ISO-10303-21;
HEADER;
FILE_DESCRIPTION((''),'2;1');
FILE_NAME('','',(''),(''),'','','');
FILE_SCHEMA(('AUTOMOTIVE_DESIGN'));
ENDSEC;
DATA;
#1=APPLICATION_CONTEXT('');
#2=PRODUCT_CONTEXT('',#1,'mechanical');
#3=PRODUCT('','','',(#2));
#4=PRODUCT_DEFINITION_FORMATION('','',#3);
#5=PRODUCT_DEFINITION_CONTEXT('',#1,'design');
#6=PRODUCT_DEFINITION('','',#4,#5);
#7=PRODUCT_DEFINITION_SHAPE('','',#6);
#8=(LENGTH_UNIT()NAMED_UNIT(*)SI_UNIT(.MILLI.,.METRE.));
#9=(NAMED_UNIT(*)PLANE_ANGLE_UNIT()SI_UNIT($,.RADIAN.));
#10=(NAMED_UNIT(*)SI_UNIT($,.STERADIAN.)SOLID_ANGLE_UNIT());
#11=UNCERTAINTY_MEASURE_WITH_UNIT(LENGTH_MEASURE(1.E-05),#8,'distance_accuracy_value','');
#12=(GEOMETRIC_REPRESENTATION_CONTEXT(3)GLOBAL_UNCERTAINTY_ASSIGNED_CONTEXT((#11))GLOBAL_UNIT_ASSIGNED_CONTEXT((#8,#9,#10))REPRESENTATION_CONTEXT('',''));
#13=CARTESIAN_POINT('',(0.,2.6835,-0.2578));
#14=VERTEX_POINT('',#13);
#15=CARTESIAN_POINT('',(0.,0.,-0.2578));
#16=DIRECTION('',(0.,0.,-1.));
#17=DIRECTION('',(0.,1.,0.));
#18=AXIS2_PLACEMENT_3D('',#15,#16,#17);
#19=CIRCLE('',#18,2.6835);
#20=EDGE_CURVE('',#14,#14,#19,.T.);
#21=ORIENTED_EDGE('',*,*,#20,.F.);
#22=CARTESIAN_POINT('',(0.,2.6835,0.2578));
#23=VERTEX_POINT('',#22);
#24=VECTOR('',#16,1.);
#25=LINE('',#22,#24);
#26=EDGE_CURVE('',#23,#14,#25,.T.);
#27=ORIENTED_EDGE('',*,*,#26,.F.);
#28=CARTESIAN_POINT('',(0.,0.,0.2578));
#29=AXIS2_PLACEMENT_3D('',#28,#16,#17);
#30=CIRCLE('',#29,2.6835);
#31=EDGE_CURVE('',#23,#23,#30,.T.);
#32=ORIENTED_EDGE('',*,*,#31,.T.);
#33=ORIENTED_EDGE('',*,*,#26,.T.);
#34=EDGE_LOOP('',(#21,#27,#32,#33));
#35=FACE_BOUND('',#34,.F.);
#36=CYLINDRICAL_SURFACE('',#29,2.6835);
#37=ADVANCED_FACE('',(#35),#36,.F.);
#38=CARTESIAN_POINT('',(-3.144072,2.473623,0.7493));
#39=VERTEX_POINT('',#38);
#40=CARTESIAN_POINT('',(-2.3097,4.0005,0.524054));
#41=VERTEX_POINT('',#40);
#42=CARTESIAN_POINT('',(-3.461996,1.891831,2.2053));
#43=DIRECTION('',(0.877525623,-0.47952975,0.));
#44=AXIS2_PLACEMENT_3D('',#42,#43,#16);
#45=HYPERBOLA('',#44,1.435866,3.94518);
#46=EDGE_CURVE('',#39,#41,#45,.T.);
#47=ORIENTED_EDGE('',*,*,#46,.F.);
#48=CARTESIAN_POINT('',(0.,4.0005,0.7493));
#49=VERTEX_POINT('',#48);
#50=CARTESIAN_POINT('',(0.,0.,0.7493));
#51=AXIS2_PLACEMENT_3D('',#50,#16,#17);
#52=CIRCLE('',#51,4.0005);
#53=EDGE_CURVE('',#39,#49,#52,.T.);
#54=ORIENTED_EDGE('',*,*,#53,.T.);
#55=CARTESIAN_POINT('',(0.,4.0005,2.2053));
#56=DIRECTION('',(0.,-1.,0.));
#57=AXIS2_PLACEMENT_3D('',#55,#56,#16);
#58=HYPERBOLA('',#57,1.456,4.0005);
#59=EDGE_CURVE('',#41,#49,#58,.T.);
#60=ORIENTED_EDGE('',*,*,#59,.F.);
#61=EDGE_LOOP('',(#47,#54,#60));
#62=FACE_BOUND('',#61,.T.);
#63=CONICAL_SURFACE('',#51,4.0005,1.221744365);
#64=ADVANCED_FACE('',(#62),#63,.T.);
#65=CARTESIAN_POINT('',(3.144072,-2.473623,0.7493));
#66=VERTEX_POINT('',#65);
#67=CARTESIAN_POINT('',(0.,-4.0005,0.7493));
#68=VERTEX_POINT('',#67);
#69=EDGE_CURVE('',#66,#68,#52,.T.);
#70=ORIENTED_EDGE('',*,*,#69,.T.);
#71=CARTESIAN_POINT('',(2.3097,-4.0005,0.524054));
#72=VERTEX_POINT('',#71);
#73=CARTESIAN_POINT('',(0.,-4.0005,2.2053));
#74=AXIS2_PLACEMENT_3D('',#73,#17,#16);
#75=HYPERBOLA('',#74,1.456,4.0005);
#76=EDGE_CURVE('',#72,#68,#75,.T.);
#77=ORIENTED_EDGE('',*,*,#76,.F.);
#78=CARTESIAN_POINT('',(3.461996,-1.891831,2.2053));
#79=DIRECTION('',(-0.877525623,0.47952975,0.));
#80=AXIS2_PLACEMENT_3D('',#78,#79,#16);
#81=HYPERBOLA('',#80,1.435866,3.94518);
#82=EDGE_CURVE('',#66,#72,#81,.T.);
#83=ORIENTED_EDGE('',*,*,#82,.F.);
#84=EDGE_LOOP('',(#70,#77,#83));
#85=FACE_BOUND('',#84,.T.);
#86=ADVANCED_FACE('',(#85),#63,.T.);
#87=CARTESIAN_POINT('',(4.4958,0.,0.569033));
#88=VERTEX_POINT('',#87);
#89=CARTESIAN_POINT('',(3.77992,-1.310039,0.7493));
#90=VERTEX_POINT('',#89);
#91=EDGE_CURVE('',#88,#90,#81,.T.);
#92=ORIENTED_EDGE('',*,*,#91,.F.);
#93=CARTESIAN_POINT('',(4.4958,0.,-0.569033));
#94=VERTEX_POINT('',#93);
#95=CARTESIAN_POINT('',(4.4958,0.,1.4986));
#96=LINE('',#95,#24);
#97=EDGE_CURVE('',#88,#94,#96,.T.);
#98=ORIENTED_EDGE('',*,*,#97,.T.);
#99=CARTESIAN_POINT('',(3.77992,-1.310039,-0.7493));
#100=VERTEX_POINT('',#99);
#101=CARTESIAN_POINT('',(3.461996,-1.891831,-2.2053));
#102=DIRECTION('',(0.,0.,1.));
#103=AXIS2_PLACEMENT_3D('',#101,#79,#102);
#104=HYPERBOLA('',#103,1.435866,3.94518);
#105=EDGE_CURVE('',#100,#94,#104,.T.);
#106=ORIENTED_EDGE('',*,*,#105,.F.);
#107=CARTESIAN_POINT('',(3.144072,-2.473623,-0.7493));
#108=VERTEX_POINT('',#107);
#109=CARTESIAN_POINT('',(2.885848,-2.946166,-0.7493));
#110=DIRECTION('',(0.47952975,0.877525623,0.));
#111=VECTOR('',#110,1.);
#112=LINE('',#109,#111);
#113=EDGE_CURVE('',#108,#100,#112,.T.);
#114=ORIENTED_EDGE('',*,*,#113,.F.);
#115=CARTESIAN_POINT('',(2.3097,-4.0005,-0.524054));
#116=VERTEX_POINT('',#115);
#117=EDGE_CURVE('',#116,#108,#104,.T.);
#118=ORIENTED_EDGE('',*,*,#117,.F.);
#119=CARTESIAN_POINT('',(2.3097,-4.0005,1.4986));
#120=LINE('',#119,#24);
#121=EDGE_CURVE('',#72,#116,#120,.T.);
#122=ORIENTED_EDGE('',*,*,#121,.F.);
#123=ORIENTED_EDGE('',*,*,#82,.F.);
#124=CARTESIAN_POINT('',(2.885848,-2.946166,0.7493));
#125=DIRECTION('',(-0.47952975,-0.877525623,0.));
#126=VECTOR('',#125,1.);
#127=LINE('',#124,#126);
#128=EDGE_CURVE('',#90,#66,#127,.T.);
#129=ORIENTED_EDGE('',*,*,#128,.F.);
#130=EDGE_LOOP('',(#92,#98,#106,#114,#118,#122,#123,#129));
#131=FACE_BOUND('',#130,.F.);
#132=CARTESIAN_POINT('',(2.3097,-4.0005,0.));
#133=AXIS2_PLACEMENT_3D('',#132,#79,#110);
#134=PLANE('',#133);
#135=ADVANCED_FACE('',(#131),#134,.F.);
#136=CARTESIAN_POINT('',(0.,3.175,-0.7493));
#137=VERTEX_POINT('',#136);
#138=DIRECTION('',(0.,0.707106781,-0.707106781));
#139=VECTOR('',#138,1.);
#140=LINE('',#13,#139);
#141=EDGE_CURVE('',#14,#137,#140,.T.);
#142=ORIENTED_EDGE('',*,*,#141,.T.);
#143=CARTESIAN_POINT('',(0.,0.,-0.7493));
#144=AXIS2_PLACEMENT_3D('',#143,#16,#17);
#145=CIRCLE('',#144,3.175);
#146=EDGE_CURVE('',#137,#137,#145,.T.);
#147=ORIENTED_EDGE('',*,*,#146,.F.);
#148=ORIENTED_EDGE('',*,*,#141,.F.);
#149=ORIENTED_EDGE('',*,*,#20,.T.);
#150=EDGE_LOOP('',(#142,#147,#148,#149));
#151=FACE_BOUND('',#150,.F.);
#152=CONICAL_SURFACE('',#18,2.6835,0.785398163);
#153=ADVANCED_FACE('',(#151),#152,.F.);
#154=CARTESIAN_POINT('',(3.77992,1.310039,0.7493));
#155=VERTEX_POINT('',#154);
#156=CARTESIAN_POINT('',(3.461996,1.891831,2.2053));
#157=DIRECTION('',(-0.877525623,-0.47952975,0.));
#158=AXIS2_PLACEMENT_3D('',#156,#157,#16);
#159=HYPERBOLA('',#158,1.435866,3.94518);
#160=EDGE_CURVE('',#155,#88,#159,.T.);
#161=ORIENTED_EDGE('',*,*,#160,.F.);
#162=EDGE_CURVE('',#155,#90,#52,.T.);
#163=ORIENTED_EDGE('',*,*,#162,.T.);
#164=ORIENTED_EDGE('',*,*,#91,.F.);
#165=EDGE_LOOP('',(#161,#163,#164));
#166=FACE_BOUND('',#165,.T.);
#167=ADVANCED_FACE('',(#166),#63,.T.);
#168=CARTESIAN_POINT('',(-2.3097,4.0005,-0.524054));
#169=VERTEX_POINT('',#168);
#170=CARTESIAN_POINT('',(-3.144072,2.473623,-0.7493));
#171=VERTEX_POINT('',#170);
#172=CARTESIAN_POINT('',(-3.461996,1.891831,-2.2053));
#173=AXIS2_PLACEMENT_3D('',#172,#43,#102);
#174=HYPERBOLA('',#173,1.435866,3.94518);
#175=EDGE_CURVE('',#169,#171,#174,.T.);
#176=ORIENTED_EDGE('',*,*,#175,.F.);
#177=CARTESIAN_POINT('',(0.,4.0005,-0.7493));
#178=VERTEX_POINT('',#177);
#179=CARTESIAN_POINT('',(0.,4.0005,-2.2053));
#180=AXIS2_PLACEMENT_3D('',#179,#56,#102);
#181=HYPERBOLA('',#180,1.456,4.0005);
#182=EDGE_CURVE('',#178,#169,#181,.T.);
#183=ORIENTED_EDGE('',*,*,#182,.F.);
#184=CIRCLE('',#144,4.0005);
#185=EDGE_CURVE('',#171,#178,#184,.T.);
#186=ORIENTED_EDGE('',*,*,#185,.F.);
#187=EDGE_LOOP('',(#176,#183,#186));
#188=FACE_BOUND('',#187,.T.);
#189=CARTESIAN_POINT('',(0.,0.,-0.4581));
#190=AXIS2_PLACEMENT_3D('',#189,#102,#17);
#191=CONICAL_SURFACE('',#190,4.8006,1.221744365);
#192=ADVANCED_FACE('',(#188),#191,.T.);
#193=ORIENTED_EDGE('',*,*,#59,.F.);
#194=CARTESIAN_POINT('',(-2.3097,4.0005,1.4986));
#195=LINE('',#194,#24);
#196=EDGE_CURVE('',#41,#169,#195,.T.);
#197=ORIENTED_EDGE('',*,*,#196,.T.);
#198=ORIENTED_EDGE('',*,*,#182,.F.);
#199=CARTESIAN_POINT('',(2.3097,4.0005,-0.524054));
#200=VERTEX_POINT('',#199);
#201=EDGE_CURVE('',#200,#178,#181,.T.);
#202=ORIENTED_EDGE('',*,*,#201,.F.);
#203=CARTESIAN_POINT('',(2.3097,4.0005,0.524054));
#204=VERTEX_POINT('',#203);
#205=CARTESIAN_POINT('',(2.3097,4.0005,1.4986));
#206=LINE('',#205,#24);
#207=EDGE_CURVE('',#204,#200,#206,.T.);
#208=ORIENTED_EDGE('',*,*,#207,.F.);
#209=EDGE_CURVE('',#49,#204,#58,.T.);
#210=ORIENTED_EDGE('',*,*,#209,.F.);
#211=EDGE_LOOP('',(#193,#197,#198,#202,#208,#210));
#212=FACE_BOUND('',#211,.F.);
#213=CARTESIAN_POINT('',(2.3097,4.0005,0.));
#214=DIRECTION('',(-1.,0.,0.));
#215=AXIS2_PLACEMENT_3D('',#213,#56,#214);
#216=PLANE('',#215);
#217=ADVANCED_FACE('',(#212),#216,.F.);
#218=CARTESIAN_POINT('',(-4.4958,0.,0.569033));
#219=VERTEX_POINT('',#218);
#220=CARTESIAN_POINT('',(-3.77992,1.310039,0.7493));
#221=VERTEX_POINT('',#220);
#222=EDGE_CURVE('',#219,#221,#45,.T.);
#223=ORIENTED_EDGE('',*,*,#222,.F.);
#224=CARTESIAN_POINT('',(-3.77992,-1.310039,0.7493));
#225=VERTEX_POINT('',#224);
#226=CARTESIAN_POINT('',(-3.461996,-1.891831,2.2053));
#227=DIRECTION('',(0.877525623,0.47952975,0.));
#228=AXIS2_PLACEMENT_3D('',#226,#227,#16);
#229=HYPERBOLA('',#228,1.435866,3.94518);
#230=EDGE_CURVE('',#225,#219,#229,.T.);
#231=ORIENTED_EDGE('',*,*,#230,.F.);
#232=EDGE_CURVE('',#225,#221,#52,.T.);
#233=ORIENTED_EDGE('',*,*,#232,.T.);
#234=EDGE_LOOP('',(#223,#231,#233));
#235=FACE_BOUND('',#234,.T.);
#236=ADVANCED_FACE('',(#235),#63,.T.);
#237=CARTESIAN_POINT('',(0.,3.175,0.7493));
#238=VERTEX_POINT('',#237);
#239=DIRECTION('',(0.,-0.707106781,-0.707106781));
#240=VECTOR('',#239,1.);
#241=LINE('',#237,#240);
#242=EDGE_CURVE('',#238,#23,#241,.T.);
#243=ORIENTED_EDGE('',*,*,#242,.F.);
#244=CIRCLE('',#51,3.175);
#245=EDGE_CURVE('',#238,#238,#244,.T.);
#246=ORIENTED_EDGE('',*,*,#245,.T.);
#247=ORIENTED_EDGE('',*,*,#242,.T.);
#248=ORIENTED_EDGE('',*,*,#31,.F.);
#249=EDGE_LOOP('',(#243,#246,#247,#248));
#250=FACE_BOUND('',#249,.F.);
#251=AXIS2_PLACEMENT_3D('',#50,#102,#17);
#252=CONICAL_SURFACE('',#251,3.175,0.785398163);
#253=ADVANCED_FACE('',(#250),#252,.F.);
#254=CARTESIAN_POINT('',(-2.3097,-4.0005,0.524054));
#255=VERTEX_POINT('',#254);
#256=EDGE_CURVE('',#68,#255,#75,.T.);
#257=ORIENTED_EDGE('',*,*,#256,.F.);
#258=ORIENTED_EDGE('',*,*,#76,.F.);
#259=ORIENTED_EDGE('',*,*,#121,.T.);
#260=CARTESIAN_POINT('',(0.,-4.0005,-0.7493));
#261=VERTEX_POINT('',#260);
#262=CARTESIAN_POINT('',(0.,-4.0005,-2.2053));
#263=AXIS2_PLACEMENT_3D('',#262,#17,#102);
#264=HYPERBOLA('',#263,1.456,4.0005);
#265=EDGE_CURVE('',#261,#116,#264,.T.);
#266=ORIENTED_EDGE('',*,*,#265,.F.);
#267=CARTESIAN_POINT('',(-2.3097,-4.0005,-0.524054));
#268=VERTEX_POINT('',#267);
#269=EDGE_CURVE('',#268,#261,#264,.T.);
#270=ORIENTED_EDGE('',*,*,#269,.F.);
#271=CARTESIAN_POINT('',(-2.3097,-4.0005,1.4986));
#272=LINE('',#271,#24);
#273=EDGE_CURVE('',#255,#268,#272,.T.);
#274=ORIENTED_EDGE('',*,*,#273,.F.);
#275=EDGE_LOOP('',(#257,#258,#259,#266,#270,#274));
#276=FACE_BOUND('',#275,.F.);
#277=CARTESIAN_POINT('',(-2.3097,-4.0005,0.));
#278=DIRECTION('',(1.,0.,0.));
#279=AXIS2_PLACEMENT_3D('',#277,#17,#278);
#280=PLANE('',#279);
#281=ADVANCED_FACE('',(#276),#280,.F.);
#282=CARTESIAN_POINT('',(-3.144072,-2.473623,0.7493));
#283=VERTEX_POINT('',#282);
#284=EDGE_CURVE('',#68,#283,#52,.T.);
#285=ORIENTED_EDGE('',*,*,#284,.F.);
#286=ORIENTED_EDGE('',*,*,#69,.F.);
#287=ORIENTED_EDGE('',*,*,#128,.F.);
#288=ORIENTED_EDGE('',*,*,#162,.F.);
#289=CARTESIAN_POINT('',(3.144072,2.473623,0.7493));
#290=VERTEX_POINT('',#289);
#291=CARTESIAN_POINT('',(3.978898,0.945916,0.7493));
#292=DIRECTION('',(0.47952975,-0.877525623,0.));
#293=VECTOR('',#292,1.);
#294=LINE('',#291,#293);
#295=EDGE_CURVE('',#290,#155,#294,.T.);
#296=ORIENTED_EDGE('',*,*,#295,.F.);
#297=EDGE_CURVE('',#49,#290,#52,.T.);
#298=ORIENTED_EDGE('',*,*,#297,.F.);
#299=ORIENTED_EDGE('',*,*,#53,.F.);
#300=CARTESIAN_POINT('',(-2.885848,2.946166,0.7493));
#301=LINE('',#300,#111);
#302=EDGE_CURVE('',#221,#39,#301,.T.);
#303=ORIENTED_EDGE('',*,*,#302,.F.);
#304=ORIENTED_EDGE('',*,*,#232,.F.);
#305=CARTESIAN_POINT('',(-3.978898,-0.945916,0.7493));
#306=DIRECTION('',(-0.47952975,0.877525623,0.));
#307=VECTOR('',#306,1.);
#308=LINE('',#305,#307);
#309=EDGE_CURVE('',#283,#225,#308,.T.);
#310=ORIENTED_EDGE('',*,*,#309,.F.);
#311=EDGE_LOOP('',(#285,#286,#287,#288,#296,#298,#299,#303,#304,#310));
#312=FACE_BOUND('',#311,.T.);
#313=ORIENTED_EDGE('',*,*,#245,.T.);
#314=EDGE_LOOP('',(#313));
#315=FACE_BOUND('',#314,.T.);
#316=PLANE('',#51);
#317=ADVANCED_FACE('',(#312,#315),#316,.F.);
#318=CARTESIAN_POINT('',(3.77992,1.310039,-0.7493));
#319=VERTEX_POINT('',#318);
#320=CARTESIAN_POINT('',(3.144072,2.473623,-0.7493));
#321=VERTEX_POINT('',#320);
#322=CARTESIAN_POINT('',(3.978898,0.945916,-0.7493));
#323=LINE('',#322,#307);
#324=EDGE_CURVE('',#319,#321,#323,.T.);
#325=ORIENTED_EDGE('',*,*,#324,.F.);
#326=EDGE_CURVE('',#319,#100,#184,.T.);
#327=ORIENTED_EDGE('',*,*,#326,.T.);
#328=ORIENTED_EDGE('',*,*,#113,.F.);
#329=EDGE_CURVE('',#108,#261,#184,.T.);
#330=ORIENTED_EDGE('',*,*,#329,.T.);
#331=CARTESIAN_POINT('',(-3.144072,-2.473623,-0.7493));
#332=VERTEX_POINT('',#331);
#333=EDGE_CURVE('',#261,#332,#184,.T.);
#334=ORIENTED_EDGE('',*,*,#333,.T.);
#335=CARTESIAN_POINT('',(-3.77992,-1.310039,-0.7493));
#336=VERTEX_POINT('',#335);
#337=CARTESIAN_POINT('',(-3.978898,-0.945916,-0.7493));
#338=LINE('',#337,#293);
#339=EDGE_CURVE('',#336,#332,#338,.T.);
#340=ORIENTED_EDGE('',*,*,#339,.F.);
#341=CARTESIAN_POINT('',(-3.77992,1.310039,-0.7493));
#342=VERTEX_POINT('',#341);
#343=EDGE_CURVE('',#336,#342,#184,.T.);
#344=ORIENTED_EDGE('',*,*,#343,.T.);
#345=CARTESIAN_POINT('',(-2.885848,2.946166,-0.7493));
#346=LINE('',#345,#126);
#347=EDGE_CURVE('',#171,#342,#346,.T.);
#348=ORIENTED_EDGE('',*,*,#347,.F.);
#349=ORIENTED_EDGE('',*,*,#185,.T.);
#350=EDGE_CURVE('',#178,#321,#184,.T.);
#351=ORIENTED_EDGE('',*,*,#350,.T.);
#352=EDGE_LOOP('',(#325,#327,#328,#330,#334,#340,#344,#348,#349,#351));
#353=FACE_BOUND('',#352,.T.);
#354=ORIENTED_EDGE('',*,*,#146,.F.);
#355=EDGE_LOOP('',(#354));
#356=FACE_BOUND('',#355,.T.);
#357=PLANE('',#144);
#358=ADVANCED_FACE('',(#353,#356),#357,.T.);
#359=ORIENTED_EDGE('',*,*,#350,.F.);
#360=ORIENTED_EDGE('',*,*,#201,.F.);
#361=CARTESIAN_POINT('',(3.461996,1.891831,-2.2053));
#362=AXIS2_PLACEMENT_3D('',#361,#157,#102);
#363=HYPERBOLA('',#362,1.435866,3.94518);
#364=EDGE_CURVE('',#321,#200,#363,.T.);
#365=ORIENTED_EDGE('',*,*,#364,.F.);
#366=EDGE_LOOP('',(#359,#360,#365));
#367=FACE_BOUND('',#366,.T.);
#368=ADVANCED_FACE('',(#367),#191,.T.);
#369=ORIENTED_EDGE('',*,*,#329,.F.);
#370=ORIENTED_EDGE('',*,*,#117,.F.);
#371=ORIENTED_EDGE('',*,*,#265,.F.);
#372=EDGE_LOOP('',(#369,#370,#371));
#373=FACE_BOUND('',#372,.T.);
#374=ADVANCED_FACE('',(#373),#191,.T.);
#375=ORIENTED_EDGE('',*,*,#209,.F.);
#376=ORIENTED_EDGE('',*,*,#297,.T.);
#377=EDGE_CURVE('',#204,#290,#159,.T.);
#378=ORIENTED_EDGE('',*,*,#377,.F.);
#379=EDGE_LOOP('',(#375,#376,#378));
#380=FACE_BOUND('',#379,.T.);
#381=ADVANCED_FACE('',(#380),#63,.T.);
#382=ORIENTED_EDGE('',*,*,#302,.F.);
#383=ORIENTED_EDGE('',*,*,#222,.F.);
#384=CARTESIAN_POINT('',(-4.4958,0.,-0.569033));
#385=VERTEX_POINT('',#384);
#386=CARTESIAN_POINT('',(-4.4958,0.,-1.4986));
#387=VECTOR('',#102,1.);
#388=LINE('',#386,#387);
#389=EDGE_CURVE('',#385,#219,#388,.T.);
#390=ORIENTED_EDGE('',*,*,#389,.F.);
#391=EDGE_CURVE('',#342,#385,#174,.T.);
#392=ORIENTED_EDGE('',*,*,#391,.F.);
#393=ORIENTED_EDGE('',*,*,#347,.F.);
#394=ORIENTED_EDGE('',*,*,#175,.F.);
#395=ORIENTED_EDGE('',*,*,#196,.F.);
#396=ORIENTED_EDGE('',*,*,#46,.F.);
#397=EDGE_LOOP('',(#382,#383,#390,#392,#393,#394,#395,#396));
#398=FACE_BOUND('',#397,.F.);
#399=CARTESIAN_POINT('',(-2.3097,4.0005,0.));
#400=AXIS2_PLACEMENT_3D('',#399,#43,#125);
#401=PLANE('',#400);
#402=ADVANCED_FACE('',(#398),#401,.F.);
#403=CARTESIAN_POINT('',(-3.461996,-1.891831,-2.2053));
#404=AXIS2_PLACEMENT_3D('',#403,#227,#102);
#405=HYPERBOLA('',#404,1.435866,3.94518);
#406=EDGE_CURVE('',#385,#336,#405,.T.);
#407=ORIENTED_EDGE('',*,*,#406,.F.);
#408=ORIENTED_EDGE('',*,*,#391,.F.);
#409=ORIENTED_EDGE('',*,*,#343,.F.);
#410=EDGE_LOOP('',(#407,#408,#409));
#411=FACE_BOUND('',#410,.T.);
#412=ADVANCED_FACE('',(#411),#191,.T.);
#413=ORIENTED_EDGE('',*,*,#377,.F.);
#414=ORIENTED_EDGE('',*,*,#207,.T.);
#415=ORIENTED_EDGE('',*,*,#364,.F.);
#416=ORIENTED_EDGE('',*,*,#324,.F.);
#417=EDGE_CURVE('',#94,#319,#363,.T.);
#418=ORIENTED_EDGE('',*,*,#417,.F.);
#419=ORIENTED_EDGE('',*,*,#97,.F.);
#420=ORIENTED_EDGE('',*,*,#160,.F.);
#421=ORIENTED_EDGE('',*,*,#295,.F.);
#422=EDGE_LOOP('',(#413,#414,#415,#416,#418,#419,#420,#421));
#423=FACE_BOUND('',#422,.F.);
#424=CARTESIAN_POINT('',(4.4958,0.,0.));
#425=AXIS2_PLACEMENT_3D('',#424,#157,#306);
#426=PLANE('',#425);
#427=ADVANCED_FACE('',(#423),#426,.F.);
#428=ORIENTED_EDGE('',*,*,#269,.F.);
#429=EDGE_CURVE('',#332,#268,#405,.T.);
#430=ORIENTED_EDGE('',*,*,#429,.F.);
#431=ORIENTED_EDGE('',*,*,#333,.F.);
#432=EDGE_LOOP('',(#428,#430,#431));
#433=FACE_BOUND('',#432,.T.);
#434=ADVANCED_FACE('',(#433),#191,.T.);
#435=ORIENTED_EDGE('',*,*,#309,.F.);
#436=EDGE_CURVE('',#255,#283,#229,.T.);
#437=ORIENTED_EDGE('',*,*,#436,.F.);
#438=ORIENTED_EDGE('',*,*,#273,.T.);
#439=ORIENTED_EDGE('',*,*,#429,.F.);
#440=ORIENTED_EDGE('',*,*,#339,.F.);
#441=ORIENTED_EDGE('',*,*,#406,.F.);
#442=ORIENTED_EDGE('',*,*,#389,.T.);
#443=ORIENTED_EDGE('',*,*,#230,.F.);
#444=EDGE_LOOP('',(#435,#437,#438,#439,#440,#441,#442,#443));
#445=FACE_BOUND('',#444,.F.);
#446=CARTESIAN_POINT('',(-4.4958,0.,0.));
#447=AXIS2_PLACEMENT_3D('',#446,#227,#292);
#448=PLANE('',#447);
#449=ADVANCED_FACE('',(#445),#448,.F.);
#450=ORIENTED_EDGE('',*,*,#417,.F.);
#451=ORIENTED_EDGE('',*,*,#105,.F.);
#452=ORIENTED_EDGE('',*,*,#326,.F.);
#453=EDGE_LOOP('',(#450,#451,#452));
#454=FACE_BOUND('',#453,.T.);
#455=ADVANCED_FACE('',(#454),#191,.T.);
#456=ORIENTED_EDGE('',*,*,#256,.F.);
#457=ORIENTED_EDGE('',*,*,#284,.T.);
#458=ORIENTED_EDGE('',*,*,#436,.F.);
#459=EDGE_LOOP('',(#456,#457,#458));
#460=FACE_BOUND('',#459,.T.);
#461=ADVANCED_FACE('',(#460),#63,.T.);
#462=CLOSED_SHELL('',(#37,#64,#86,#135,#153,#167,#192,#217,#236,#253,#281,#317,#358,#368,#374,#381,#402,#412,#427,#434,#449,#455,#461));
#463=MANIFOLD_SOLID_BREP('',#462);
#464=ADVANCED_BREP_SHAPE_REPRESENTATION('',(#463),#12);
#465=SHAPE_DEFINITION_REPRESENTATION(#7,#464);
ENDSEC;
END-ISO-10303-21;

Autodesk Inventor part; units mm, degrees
sketch "Sketch_1" plane through (0, 0, 0) normal (1, 0, 0) x (0, 1, 0)
  line L0 (0, -0.7493) -> (0, 0.7493)
  line L1 (0, 0.7493) -> (4.0005, 0.7493)
  line L2 (4.0005, 0.7493) -> (4.8006, 0.4581)
  line L3 (4.8006, 0.4581) -> (4.8006, -0.4581)
  line L4 (4.8006, -0.4581) -> (4.0005, -0.7493)
  line L5 (4.0005, -0.7493) -> (0, -0.7493)
  line L6 (0, -0.7493) -> (0, 0.7493)
revolve "Revolution1" add sketch "Sketch_1" angle 360 about axis through (0, 0, -0.7493) along (0, 0, -1)
sketch "Sketch_2" plane through (0, 0, 0) normal (0, 0, 1) x (1, 0, 0)
  line L0 (-8.001, 8.001) -> (-8.001, -8.001)
  line L1 (-8.001, -8.001) -> (8.001, -8.001)
  line L2 (8.001, -8.001) -> (8.001, 8.001)
  line L3 (8.001, 8.001) -> (-8.001, 8.001)
  line L4 (-4.4958, 0) -> (-2.3097, -4.0005)
  line L5 (-2.3097, -4.0005) -> (2.3097, -4.0005)
  line L6 (2.3097, -4.0005) -> (4.4958, 0)
  line L7 (4.4958, 0) -> (2.3097, 4.0005)
  line L8 (2.3097, 4.0005) -> (-2.3097, 4.0005)
  line L9 (-2.3097, 4.0005) -> (-4.4958, 0)
extrude "Extrusion1" cut sketch "Sketch_2" along normal mid plane 2.9972
sketch "Sketch_6" plane through (0, 0, 0) normal (1, 0, 0) x (0, 1, 0)
  line L0 (0, -0.7493) -> (0, 0.7493)
  line L1 (0, 0.7493) -> (3.175, 0.7493)
  line L2 (3.175, 0.7493) -> (2.6835, 0.2578)
  line L3 (2.6835, 0.2578) -> (2.6835, -0.2578)
  line L4 (2.6835, -0.2578) -> (3.175, -0.7493)
  line L5 (3.175, -0.7493) -> (0, -0.7493)
  line L6 (0, -0.7493) -> (0, 0.7493)
revolve "Revolution2" cut sketch "Sketch_6" angle 360 about axis through (0, 0, -0.7493) along (0, 0, -1)
thread "Thread1" size "1/4-28 UNF" class "2B" standard "ANSI Unified Screw Threads" full length
ref_plane "nut_XY" through (0, 0, 0.7493) normal (0, 0, 1) x (1, 0, 0)
ref_plane "nut_YZ" through (0, 0, 0.7493) normal (1, 0, 0) x (0, 1, 0)
ref_plane "nut_ZX" through (0, 0, 0.7493) normal (0, 1, 0) x (0, 0, 1)
properties part number "AT513H"
